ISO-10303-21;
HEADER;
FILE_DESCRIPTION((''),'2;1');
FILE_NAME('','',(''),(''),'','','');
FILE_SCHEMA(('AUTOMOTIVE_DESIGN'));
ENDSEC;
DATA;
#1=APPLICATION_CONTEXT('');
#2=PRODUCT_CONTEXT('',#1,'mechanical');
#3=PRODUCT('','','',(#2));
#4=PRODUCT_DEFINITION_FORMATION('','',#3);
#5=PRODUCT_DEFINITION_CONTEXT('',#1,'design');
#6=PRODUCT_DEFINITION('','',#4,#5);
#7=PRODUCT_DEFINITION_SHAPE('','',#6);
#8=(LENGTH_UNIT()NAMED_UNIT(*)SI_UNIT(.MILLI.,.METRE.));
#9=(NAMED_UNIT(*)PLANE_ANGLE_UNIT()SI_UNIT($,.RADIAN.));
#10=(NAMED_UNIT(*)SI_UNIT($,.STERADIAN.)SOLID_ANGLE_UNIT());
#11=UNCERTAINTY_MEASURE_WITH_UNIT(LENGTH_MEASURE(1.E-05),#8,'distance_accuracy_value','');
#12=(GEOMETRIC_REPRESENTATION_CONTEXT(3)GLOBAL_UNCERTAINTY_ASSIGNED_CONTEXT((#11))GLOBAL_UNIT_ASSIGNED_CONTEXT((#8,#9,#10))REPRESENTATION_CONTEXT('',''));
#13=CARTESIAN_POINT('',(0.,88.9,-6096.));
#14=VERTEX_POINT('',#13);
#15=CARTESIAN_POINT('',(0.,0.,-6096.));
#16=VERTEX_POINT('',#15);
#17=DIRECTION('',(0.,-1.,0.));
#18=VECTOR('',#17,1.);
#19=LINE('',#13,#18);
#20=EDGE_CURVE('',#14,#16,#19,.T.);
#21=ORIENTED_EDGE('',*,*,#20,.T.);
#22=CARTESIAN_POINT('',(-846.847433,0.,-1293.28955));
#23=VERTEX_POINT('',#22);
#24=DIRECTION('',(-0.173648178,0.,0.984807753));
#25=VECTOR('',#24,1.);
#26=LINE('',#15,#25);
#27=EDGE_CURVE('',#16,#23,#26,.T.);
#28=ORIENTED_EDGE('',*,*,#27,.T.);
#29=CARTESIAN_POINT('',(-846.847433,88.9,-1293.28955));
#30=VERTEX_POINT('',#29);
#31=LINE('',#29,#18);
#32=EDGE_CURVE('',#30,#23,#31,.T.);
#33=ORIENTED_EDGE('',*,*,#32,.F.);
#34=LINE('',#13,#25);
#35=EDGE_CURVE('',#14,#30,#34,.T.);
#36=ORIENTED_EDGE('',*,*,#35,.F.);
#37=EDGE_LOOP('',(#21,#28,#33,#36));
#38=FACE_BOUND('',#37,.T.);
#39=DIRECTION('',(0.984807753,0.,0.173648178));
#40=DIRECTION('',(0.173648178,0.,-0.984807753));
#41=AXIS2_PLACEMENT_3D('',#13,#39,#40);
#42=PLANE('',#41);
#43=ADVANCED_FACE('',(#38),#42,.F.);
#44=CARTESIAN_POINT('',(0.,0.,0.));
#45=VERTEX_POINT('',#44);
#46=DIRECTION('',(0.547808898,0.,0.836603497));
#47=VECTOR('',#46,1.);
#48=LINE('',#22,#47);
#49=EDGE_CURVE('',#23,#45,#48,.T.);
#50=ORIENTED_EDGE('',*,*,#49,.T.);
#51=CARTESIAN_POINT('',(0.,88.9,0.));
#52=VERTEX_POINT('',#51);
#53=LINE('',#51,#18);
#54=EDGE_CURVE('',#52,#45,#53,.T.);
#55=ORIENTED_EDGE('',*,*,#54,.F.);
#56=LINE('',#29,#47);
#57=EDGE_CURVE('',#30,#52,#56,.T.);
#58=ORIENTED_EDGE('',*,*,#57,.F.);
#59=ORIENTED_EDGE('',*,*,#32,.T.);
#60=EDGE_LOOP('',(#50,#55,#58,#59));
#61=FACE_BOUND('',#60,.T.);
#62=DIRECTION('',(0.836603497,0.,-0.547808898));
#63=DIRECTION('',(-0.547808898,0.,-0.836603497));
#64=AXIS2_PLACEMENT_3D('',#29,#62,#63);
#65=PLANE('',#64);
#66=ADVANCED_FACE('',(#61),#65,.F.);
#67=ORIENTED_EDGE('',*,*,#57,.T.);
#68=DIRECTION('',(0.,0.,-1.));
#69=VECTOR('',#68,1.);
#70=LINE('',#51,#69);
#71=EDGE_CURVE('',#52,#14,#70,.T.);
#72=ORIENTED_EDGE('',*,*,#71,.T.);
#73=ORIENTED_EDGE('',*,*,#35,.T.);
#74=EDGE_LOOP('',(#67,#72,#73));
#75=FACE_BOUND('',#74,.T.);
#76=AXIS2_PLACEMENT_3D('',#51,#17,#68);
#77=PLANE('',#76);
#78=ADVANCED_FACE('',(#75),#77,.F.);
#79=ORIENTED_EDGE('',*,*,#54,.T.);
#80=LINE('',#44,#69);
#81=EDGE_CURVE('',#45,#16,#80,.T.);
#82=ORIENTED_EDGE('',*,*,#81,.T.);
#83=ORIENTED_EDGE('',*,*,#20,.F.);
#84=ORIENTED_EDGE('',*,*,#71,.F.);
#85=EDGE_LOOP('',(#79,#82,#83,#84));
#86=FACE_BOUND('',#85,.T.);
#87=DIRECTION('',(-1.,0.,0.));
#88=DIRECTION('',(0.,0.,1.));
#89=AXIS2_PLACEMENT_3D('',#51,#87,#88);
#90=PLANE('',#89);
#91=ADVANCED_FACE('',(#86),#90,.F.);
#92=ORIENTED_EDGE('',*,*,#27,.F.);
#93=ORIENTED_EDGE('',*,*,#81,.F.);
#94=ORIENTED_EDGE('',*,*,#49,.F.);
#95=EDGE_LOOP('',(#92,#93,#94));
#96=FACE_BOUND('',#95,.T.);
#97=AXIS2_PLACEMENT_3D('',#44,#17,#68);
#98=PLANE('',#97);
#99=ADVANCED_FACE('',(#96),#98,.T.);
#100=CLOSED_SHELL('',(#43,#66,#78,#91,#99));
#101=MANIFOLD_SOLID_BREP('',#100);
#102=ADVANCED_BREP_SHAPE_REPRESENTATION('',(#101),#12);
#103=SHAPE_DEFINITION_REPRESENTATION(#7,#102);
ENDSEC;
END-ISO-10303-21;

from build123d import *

# Parameters (mm, degrees)
BOSS_EXTRUDE1_DEPTH = 88.9


with BuildPart() as part:
    # Sketch1 → Boss-Extrude1 (new body)
    with BuildSketch(Plane(origin=(0, 0, 0), x_dir=(1, 0, 0), z_dir=(0, 1, 0))):
        Polygon((0, 0), (0, 6096), (-846.847432846, 1293.28955011), align=None)
    extrude(amount=BOSS_EXTRUDE1_DEPTH)


solid = part.part
